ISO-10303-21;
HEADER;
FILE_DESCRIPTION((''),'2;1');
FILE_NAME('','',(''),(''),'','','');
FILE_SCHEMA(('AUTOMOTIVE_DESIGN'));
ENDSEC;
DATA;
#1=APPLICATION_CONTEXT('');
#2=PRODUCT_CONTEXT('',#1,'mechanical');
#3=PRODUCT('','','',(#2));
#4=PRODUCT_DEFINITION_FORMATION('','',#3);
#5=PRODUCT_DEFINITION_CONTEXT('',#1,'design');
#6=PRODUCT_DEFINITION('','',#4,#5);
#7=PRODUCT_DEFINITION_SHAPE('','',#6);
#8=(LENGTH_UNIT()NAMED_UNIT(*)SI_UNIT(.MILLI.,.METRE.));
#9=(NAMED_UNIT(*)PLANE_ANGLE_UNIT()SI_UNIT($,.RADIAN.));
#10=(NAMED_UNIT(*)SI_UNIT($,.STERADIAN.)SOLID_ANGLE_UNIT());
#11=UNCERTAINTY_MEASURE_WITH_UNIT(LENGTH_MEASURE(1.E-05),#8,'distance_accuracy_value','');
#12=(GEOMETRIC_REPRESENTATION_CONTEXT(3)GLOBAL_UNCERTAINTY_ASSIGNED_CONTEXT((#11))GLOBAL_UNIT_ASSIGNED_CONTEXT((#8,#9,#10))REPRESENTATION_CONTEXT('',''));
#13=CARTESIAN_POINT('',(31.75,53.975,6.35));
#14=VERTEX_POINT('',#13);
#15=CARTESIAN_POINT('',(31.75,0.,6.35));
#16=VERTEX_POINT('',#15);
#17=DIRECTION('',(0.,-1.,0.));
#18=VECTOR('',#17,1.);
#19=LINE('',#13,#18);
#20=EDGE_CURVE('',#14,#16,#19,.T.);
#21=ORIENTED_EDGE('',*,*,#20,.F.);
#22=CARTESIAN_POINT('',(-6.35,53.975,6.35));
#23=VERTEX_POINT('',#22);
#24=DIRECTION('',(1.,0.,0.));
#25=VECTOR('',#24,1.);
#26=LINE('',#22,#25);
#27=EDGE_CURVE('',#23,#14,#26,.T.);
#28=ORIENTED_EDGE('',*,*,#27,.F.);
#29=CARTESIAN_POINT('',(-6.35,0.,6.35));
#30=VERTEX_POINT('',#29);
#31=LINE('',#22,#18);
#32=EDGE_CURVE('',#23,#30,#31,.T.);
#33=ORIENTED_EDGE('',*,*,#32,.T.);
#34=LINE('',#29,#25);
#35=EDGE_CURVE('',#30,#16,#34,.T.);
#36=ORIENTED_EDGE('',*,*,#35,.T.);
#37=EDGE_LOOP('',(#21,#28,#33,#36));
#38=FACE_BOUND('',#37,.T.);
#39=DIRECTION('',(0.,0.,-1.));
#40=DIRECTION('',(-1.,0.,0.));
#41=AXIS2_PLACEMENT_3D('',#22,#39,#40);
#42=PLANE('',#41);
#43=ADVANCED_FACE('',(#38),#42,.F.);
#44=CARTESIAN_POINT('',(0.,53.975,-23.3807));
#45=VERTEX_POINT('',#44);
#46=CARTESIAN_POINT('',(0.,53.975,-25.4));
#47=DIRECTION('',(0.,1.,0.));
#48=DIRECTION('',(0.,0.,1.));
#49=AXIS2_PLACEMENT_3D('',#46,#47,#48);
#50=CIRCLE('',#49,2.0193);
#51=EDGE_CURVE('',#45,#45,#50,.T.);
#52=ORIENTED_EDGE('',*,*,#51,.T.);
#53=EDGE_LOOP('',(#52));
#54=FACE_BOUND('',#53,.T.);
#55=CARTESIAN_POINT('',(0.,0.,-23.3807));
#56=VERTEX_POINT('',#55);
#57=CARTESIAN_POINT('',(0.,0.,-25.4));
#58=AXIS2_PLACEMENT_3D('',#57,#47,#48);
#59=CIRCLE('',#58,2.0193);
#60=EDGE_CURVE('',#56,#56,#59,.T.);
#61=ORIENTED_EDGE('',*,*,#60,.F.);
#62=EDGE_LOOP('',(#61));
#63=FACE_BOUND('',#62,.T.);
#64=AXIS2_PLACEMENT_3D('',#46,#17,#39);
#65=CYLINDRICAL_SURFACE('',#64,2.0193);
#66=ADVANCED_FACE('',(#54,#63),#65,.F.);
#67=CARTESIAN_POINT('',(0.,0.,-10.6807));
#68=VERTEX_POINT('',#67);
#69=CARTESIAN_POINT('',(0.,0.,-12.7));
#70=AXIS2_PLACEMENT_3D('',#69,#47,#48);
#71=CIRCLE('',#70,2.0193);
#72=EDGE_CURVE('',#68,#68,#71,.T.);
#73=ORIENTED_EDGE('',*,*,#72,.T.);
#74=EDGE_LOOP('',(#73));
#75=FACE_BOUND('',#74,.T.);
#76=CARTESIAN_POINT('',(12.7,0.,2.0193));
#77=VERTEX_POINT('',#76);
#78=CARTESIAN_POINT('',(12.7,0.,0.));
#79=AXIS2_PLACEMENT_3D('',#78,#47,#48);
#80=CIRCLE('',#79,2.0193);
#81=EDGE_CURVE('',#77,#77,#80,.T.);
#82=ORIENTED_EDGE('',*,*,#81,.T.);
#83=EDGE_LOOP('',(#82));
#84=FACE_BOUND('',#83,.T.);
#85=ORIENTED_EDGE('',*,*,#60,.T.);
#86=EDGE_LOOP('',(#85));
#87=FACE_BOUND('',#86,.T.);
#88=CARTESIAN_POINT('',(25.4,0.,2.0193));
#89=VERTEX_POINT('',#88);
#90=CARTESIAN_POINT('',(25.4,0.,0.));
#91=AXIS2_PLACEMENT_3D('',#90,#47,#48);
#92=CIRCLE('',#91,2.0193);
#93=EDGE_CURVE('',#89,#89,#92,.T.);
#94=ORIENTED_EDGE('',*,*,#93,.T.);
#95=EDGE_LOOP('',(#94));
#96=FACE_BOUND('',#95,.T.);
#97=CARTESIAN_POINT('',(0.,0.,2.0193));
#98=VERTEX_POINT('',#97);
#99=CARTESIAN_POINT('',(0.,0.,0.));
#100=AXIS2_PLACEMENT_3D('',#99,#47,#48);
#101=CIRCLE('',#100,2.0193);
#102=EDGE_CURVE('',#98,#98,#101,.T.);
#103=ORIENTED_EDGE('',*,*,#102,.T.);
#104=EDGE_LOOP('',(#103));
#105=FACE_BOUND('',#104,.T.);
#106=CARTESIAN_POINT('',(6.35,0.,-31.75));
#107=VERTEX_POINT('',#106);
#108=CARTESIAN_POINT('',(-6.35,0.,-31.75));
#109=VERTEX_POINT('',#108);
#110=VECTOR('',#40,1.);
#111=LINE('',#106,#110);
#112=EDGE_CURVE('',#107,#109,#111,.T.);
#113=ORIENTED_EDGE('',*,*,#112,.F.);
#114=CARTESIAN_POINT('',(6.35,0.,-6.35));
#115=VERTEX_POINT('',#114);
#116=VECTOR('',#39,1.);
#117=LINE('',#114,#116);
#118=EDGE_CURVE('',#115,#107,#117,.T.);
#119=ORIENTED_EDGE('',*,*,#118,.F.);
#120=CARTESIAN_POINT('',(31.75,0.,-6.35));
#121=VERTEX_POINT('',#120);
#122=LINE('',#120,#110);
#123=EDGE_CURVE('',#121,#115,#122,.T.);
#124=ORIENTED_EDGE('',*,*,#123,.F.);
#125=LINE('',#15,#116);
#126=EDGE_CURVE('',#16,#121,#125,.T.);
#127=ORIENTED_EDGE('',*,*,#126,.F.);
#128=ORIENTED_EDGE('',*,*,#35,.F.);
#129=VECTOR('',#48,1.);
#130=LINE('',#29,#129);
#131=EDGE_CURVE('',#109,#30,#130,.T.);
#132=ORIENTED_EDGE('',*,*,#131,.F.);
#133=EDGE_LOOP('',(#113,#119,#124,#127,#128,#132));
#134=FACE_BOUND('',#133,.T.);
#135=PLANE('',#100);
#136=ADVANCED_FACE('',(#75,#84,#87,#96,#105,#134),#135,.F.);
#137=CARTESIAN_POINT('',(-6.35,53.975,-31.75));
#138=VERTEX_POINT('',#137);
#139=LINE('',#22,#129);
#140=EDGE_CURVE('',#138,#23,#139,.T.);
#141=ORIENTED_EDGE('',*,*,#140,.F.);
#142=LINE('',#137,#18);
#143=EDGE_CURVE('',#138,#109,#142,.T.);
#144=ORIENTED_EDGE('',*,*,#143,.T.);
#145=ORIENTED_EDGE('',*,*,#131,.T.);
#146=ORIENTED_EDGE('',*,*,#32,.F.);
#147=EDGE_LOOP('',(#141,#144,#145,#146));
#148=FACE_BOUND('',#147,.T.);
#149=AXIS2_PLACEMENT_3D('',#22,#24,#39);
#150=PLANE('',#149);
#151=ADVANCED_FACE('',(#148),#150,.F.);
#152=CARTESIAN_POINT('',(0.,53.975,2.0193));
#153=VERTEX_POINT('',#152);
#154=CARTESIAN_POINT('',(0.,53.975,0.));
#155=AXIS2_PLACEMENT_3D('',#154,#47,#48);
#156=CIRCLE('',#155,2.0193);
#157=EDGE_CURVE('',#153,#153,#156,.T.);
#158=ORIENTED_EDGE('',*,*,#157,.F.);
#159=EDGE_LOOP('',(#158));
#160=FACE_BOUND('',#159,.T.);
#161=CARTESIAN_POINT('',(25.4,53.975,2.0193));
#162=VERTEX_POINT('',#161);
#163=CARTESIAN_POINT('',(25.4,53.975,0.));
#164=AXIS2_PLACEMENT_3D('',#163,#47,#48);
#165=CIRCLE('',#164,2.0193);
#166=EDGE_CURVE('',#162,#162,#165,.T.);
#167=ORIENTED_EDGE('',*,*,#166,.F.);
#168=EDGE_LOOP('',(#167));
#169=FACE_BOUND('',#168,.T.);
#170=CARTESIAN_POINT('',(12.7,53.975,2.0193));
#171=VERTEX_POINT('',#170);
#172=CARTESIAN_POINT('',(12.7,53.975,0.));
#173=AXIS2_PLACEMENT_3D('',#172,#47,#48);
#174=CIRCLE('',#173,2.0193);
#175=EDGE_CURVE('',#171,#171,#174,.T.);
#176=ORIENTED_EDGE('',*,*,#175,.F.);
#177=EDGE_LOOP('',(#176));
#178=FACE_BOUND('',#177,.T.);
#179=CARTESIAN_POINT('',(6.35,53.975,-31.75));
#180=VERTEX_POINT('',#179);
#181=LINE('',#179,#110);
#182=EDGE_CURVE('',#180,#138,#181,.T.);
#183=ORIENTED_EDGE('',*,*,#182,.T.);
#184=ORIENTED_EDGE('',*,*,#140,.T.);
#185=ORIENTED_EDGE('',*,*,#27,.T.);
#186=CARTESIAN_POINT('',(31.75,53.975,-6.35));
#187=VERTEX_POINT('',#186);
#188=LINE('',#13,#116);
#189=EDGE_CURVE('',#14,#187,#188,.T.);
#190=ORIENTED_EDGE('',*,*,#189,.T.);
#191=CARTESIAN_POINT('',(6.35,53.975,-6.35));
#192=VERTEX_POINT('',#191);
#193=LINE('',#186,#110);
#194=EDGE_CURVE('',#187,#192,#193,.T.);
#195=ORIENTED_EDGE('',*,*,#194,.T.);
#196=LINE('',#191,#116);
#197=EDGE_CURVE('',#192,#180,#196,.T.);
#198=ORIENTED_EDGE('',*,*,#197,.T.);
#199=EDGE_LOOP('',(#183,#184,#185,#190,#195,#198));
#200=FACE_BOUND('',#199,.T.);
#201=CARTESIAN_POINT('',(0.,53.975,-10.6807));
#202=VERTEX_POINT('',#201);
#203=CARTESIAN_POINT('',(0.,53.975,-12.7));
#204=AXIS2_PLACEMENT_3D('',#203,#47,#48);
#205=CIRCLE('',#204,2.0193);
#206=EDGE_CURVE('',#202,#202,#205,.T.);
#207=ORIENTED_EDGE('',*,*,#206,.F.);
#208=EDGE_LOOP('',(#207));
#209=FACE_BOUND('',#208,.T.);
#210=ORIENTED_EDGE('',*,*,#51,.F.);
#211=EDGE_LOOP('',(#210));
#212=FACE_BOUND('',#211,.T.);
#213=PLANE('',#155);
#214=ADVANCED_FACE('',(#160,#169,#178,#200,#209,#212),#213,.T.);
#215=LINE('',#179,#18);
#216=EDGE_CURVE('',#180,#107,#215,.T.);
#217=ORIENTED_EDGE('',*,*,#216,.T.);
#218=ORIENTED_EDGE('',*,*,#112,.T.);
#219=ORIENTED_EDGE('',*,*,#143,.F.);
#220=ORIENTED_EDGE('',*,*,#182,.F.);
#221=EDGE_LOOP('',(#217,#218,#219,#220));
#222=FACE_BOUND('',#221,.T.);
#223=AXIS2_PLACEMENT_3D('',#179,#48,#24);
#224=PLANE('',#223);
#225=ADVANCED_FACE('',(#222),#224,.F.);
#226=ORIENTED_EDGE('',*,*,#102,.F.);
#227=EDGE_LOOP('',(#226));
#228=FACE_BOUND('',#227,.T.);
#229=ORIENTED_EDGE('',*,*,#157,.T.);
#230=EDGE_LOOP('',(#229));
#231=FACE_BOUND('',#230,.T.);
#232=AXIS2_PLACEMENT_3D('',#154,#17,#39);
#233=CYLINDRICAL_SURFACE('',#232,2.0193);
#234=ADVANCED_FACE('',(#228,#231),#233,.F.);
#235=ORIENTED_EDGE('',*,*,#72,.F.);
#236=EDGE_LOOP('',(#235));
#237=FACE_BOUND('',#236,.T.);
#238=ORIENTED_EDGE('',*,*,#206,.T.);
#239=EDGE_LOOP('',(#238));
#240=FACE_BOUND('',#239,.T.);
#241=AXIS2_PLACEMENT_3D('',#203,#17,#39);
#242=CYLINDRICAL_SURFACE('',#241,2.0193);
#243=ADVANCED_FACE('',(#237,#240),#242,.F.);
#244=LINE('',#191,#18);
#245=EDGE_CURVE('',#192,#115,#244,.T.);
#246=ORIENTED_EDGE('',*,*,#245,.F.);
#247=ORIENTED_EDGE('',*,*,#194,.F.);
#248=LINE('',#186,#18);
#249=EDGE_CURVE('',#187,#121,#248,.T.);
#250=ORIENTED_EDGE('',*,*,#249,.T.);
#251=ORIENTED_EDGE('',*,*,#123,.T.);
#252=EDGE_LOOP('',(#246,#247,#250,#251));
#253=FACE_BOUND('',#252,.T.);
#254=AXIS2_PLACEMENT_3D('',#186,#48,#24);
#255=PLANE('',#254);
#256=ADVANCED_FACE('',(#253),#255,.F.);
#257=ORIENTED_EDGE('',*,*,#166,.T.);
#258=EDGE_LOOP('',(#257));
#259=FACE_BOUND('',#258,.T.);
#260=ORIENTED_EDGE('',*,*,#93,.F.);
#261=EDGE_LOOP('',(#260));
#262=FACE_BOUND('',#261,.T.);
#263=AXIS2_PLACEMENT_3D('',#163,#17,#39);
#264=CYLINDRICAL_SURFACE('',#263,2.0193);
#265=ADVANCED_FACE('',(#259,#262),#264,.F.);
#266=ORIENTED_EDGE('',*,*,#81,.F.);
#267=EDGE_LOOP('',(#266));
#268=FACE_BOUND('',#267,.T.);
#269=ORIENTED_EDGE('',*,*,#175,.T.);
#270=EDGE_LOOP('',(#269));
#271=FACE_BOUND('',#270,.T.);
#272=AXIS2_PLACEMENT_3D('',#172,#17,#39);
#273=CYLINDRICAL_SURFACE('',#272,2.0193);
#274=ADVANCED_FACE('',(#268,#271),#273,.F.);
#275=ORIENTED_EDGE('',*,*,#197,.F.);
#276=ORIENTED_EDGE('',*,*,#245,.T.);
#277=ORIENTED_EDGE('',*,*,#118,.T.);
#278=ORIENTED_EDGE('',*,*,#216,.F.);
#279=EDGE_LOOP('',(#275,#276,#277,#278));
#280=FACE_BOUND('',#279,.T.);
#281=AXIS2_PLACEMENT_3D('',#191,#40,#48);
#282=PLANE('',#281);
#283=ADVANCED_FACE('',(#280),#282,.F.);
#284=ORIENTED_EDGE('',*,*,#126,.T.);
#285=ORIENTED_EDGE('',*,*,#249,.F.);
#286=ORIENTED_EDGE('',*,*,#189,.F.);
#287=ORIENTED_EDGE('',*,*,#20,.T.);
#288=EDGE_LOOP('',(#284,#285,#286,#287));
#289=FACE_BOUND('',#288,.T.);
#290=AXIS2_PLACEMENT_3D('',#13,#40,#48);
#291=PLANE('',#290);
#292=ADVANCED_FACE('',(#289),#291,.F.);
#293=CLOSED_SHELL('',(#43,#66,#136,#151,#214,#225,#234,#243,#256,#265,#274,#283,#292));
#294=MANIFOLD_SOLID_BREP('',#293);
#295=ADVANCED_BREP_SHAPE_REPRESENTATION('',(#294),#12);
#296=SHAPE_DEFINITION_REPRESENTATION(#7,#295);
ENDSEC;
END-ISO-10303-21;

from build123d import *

# Parameters (mm, degrees)
SKETCH1_R           = 2.0193
BOSS_EXTRUDE1_DEPTH = 53.975


with BuildPart() as part:
    # Sketch1 → Boss-Extrude1 (new body)
    with BuildSketch(Plane(origin=(0, 0, 0), x_dir=(1, 0, 0), z_dir=(0, 1, 0))):
        Polygon((-6.35, -6.35), (31.75, -6.35), (31.75, 6.35), (6.35, 6.35), (6.35, 31.75), (-6.35, 31.75), align=None)
        with Locations(Location((0, 0, 0), (0, 0, 270))):
            Circle(SKETCH1_R, mode=Mode.SUBTRACT)
        with Locations(Location((12.7, 0, 0), (0, 0, 270))):
            Circle(SKETCH1_R, mode=Mode.SUBTRACT)
        with Locations(Location((25.4, 0, 0), (0, 0, 270))):
            Circle(SKETCH1_R, mode=Mode.SUBTRACT)
        with Locations(Location((0, 12.7, 0), (0, 0, 270))):
            Circle(SKETCH1_R, mode=Mode.SUBTRACT)
        with Locations(Location((0, 25.4, 0), (0, 0, 270))):
            Circle(SKETCH1_R, mode=Mode.SUBTRACT)
    extrude(amount=BOSS_EXTRUDE1_DEPTH)


solid = part.part
